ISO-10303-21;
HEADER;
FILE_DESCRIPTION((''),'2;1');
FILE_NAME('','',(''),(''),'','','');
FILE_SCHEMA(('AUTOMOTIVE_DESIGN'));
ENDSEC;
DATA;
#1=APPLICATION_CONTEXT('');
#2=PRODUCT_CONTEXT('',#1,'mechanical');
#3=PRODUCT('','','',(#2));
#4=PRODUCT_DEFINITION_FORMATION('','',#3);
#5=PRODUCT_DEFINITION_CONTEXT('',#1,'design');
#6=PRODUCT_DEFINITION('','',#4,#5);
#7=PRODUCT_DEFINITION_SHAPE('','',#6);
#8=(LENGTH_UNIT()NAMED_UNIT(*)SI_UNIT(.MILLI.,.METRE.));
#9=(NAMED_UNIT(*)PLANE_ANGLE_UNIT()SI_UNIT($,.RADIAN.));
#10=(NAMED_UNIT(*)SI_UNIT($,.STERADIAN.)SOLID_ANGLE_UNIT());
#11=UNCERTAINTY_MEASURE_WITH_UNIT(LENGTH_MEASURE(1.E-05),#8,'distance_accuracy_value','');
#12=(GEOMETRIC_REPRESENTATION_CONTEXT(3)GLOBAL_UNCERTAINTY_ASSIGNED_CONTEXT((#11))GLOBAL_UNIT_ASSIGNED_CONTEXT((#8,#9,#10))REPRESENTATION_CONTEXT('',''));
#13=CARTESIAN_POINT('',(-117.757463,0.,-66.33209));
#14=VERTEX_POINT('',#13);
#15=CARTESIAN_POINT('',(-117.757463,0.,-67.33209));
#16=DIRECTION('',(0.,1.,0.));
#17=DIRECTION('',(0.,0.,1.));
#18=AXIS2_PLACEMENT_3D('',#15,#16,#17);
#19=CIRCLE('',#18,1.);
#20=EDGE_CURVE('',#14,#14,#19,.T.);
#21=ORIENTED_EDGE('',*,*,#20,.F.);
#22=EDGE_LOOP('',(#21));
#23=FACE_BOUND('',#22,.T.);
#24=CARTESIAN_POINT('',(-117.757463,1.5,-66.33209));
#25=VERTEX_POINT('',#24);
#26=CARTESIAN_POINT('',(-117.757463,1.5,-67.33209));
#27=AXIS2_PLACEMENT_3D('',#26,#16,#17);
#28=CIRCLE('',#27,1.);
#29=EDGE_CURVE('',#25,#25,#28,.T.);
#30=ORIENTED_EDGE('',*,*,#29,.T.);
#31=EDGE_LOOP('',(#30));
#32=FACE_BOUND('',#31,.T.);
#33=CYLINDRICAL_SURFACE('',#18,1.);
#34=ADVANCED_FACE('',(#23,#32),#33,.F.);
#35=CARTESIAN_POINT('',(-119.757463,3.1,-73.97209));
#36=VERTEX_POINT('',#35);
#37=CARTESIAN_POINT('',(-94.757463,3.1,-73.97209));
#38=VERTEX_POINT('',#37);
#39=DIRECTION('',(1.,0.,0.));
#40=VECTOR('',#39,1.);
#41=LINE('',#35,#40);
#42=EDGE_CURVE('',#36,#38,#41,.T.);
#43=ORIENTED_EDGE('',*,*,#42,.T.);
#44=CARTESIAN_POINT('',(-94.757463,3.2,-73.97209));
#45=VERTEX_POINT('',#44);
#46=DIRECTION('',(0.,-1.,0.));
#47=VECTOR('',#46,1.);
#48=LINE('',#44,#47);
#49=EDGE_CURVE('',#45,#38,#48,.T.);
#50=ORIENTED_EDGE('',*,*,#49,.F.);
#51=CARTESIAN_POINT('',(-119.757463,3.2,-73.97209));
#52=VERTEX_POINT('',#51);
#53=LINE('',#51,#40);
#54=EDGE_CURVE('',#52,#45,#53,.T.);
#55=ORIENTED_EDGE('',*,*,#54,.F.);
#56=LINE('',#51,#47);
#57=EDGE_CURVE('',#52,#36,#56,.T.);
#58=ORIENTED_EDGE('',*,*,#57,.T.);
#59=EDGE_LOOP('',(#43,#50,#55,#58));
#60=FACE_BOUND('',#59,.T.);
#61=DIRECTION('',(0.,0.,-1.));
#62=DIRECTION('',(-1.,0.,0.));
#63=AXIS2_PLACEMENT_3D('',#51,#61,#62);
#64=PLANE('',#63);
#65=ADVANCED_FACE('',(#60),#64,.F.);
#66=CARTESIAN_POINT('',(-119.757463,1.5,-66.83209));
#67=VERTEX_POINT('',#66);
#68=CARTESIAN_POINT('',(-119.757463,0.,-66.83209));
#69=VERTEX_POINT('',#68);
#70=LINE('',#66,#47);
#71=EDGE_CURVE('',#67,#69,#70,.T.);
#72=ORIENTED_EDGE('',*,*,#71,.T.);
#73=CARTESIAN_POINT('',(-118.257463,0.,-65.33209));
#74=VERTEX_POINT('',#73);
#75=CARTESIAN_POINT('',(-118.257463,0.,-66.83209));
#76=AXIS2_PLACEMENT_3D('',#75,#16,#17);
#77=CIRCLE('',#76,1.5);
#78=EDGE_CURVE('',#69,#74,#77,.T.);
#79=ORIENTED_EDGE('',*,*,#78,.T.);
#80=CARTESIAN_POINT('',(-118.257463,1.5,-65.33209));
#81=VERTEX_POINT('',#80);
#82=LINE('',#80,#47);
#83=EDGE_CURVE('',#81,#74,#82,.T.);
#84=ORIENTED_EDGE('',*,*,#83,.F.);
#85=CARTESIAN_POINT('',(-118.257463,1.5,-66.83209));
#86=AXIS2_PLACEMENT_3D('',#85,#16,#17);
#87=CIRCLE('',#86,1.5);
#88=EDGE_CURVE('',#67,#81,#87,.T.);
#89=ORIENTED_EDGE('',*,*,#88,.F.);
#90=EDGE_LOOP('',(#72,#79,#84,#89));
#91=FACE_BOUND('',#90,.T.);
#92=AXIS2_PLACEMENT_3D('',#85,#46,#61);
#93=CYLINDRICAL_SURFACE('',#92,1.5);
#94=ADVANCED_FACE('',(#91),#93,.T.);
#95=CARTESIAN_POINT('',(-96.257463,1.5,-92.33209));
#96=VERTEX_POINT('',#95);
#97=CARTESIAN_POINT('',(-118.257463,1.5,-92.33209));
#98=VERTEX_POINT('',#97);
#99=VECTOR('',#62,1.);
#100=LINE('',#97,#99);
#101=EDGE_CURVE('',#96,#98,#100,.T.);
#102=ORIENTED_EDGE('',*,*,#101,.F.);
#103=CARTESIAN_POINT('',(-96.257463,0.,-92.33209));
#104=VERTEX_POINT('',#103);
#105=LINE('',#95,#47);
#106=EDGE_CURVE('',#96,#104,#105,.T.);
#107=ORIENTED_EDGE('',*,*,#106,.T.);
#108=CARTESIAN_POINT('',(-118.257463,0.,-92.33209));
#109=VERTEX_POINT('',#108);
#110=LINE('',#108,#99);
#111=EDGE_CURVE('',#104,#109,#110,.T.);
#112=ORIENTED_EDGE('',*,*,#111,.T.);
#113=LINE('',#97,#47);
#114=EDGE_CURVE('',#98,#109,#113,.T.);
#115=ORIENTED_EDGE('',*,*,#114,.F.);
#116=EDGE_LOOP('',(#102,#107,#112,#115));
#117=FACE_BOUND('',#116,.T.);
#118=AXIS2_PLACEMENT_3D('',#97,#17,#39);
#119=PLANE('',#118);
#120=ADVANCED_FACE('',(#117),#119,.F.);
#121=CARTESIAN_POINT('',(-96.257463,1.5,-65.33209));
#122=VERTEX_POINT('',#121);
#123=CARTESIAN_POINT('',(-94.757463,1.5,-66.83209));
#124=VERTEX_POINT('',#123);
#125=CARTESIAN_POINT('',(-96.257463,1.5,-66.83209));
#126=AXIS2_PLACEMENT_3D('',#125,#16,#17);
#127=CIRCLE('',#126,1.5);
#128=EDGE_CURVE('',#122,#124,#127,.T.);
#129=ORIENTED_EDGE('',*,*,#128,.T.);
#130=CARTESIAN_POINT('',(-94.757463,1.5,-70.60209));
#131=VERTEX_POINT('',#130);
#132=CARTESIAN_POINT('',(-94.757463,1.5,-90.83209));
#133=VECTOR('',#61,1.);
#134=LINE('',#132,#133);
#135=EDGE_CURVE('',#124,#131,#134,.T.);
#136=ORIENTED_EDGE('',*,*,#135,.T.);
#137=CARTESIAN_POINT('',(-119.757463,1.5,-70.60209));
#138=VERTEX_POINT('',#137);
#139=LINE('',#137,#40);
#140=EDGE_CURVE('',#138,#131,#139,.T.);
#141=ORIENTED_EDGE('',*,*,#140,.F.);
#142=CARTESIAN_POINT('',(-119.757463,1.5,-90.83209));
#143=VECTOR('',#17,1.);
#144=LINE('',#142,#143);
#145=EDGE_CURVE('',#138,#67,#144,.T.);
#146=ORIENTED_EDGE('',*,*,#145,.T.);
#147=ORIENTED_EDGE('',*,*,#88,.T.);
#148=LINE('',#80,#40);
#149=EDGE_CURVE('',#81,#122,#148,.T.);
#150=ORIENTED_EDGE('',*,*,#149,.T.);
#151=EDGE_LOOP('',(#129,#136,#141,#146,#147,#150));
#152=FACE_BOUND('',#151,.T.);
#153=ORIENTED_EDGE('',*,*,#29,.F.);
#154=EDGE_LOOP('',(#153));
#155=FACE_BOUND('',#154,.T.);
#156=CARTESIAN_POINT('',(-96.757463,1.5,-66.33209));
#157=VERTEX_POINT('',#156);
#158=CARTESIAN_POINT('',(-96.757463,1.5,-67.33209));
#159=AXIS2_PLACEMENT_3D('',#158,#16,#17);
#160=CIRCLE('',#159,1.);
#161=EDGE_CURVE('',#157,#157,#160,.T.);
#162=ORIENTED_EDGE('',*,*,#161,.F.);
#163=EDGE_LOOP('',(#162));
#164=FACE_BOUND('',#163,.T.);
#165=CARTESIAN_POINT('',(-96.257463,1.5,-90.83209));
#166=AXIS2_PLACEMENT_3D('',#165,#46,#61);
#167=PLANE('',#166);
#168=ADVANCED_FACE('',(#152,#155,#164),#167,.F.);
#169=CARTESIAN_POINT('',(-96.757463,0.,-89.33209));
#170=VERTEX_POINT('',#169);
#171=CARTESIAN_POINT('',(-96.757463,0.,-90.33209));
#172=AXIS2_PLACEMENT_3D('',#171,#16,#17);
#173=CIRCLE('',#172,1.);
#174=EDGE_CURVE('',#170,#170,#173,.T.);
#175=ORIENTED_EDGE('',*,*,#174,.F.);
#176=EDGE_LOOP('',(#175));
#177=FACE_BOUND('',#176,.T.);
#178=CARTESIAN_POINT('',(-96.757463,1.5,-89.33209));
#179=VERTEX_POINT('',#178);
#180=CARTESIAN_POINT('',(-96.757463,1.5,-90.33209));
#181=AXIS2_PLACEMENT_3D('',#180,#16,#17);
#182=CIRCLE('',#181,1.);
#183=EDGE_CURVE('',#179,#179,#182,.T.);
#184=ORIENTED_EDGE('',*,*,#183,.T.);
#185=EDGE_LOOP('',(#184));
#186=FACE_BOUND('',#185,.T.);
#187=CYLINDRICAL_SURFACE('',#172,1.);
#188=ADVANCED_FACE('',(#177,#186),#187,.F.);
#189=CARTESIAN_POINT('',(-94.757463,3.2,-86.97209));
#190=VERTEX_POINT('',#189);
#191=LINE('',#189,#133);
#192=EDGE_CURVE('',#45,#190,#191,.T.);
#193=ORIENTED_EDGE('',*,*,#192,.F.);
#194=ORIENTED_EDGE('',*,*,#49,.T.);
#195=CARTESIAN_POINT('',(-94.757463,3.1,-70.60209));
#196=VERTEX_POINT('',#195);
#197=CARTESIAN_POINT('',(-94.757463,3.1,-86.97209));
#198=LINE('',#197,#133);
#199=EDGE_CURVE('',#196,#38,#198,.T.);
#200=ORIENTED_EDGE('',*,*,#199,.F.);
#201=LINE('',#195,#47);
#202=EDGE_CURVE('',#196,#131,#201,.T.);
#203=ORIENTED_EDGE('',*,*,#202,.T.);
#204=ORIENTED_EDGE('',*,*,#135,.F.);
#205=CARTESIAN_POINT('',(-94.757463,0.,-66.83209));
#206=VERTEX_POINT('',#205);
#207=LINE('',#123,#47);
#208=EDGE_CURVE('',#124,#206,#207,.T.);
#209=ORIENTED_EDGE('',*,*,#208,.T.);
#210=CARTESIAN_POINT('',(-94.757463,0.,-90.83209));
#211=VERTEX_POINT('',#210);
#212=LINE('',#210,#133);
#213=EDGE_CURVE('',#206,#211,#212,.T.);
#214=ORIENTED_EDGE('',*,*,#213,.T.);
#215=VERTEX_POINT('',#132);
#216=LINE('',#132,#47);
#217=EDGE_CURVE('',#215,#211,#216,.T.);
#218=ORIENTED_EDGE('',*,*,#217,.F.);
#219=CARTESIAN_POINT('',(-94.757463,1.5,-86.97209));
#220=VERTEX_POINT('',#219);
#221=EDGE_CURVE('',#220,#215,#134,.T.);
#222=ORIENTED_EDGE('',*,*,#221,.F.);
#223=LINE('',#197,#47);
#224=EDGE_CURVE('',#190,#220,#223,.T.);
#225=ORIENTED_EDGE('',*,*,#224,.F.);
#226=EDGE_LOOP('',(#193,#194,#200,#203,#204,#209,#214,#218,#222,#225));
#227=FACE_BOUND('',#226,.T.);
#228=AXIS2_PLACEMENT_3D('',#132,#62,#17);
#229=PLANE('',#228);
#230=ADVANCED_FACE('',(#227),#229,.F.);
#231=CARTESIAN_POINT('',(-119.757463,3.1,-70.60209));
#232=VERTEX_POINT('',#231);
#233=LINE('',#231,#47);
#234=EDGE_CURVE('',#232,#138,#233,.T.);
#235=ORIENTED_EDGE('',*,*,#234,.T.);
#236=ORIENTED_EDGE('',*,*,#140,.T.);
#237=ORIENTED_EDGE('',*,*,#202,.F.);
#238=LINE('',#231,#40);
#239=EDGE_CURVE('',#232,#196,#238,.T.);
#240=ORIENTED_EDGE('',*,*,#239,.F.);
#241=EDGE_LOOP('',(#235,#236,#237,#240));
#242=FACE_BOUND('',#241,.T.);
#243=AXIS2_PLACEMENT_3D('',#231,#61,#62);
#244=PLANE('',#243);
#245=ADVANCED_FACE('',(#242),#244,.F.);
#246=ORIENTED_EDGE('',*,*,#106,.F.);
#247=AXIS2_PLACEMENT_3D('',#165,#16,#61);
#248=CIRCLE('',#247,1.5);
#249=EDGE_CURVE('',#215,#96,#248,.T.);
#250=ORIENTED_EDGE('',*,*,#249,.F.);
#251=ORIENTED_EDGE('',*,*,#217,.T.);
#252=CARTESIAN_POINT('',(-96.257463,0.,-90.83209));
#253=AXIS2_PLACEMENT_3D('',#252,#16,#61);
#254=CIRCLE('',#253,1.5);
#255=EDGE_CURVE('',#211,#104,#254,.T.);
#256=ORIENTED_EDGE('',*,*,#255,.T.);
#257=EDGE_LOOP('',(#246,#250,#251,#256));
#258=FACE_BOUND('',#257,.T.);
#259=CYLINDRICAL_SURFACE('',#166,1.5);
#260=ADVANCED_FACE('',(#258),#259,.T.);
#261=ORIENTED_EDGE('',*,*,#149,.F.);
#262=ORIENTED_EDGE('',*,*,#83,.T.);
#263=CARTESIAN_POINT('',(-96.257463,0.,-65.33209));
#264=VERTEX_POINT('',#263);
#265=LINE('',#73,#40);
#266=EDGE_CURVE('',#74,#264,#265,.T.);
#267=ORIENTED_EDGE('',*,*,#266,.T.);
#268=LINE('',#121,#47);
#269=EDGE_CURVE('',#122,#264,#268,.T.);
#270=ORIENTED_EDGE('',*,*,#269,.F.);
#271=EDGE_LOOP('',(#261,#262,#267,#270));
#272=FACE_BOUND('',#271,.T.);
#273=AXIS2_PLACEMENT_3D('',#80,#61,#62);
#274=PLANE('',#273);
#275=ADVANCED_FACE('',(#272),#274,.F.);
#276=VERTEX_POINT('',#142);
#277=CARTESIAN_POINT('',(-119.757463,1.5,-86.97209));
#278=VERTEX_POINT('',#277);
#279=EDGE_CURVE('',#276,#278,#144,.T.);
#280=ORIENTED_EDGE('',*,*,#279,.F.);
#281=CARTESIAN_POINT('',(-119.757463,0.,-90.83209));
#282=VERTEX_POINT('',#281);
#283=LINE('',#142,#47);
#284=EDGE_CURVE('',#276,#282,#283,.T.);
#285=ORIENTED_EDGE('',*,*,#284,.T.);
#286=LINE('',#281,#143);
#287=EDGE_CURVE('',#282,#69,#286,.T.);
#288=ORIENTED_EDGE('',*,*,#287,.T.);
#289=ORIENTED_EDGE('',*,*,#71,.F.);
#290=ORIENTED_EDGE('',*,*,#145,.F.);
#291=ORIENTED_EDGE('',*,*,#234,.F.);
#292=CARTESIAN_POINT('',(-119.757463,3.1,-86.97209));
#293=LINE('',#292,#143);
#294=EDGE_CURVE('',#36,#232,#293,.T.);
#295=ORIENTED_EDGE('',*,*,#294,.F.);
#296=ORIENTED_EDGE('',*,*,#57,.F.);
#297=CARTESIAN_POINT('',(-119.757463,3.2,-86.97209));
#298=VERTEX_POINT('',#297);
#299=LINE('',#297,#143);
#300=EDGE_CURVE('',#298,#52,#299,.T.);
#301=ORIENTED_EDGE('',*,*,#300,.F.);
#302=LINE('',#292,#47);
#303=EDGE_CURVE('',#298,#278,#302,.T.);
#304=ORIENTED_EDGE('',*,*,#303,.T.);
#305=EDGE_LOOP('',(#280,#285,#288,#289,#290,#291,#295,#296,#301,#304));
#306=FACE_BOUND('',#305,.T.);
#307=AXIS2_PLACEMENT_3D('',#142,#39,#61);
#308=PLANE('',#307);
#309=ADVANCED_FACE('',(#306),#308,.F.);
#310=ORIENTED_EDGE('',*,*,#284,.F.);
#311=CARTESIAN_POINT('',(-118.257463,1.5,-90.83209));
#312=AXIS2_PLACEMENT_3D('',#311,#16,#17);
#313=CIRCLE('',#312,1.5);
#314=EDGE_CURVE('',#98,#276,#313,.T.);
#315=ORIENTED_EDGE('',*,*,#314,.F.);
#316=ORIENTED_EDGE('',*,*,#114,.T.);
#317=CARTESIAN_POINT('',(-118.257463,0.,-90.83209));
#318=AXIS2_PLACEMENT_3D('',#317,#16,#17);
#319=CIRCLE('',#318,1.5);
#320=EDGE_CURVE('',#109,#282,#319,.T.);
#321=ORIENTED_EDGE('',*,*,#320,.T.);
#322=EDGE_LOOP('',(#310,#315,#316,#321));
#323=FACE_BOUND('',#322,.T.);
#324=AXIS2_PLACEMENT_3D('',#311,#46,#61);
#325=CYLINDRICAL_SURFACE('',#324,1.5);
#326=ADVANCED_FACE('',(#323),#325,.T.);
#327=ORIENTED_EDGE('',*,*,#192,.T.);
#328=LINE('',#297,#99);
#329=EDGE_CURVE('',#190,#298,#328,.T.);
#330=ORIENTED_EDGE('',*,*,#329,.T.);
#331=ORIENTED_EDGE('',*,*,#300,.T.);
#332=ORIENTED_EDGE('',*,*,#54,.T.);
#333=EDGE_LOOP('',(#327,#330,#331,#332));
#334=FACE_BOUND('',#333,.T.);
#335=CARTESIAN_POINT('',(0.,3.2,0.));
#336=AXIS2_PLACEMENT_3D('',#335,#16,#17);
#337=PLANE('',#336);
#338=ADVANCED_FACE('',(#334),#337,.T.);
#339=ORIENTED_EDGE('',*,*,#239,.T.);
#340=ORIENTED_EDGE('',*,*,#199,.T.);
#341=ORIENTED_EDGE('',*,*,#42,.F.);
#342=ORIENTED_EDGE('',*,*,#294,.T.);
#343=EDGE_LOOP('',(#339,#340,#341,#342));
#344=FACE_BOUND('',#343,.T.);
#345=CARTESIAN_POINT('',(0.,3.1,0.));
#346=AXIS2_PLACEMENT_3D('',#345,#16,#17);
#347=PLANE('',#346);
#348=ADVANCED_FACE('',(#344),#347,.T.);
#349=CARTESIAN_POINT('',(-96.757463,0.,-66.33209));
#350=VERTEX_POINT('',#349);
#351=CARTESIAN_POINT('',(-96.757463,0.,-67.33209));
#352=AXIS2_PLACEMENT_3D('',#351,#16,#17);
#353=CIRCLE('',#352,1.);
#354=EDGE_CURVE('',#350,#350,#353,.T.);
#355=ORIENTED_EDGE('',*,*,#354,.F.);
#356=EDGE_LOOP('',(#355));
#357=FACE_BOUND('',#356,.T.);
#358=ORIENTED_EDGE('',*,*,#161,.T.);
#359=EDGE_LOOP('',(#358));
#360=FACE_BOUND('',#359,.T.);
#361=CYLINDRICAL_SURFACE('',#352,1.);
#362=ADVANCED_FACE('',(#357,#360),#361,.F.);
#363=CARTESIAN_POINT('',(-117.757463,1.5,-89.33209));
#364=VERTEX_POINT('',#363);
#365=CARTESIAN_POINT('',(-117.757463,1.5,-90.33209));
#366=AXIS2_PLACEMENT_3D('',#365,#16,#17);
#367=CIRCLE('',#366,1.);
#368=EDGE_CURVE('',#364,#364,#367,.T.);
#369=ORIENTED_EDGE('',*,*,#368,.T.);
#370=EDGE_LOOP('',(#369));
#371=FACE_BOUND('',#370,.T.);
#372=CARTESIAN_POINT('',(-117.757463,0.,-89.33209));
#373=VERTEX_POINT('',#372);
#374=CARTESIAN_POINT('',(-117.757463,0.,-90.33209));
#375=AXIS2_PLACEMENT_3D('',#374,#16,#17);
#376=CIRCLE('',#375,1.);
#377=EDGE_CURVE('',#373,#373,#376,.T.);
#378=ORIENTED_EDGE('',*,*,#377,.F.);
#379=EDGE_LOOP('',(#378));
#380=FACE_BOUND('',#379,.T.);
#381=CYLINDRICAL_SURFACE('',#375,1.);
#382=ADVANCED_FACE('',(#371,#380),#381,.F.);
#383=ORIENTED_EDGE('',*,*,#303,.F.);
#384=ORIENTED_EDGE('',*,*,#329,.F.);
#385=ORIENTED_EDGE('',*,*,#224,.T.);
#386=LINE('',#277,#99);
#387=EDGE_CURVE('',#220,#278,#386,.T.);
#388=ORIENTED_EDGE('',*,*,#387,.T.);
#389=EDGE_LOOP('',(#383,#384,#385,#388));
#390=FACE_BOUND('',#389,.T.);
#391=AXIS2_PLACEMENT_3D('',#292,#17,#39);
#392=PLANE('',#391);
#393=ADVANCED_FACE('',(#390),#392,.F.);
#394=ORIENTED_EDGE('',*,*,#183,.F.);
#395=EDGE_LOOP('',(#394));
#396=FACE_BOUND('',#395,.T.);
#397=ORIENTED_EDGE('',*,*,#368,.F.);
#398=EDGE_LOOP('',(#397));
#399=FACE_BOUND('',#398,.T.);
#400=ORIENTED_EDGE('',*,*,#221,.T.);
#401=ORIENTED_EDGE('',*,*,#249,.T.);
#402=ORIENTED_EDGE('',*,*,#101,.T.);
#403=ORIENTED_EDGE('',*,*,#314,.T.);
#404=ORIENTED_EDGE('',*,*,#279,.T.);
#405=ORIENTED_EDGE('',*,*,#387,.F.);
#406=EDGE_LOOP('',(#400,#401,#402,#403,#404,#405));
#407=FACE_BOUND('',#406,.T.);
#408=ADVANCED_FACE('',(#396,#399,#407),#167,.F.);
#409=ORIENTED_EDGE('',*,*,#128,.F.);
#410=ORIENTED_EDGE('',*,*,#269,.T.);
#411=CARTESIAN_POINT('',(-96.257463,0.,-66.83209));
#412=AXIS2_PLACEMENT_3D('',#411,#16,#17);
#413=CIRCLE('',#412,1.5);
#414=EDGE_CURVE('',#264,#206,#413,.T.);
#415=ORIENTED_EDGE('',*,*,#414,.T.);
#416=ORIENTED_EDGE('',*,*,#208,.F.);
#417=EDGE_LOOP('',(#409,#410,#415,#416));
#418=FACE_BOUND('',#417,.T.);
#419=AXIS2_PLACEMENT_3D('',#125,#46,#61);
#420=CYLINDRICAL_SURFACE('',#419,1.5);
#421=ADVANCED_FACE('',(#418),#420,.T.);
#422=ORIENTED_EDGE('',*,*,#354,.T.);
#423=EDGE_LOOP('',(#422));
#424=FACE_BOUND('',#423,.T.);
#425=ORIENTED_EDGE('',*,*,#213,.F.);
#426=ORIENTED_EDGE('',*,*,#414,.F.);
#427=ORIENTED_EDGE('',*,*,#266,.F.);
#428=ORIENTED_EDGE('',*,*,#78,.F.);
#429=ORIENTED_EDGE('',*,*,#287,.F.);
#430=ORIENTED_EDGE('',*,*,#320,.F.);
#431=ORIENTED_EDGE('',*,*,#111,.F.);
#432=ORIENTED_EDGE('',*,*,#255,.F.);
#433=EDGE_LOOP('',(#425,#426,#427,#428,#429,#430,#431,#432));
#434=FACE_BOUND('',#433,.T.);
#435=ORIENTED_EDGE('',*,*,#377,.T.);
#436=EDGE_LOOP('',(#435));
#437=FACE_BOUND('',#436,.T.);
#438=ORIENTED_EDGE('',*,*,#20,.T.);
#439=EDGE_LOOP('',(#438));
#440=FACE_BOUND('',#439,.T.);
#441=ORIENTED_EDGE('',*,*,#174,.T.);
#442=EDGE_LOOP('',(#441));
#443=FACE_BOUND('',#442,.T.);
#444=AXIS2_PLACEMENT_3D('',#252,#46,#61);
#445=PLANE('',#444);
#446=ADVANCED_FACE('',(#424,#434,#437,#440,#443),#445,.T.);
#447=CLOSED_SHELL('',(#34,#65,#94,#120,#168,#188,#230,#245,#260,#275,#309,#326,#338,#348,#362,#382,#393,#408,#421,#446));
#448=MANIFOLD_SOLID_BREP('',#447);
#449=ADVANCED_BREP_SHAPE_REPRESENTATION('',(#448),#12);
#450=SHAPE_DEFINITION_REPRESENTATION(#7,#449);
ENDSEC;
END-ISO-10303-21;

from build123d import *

# Parameters (mm, degrees)
EXTRUDE_1_DEPTH     = 1.5
SKETCH_3_R          = 1
CUT_EXTRUDE_1_DEPTH = 152.226038202
SKETCH_4_W          = 25
SKETCH_4_H          = 16.37
EXTRUDE_2_DEPTH     = 1.6
SKETCH_5_W          = 25
SKETCH_5_H          = 13
EXTRUDE_3_DEPTH     = 0.1


with BuildPart() as part:
    # 草图2 → 凸台-拉伸1 (new body)
    with BuildSketch(Plane(origin=(0, 0, 0), x_dir=(1, 0, 0), z_dir=(0, 1, 0))):
        with BuildLine():
            Line((-118.257462687, 92.332089552), (-96.257462687, 92.332089552))
            ThreePointArc((-96.257462687, 92.332089552), (-95.196802515, 91.892749724), (-94.757462687, 90.832089552))
            Line((-94.757462687, 90.832089552), (-94.757462687, 66.832089552))
            ThreePointArc((-94.757462687, 66.832089552), (-95.196802515, 65.77142938), (-96.257462687, 65.332089552))
            Line((-96.257462687, 65.332089552), (-118.257462687, 65.332089552))
            ThreePointArc((-118.257462687, 65.332089552), (-119.318122858, 65.77142938), (-119.757462687, 66.832089552))
            Line((-119.757462687, 66.832089552), (-119.757462687, 90.832089552))
            ThreePointArc((-119.757462687, 90.832089552), (-119.318122858, 91.892749724), (-118.257462687, 92.332089552))
        make_face()
    extrude(amount=EXTRUDE_1_DEPTH)

    # 草图3 → 切除-拉伸1 (cut, through all)
    with BuildSketch(Plane(origin=(0, 1.5, 0), x_dir=(1, 0, 0), z_dir=(0, 1, 0))):
        with Locations(Location((-117.757462687, 90.332089552, 0), (0, 0, 270))):
            Circle(SKETCH_3_R)
        with Locations(Location((-96.757462687, 90.332089552, 0), (0, 0, 270))):
            Circle(SKETCH_3_R)
        with Locations(Location((-96.757462687, 67.332089552, 0), (0, 0, 270))):
            Circle(SKETCH_3_R)
        with Locations(Location((-117.757462687, 67.332089552, 0), (0, 0, 270))):
            Circle(SKETCH_3_R)
    extrude(amount=-CUT_EXTRUDE_1_DEPTH, mode=Mode.SUBTRACT)

    # 草图4 → 凸台-拉伸2 (add)
    with BuildSketch(Plane(origin=(0, 1.5, 0), x_dir=(1, 0, 0), z_dir=(0, 1, 0))):
        with Locations((-107.257462687, 78.787089552)):
            Rectangle(SKETCH_4_W, SKETCH_4_H)
    extrude(amount=EXTRUDE_2_DEPTH)

    # 草图5 → 凸台-拉伸3 (add)
    with BuildSketch(Plane(origin=(0, 3.1, 0), x_dir=(1, 0, 0), z_dir=(0, 1, 0))):
        with Locations((-107.257462687, 80.472089552)):
            Rectangle(SKETCH_5_W, SKETCH_5_H)
    extrude(amount=EXTRUDE_3_DEPTH)


solid = part.part
